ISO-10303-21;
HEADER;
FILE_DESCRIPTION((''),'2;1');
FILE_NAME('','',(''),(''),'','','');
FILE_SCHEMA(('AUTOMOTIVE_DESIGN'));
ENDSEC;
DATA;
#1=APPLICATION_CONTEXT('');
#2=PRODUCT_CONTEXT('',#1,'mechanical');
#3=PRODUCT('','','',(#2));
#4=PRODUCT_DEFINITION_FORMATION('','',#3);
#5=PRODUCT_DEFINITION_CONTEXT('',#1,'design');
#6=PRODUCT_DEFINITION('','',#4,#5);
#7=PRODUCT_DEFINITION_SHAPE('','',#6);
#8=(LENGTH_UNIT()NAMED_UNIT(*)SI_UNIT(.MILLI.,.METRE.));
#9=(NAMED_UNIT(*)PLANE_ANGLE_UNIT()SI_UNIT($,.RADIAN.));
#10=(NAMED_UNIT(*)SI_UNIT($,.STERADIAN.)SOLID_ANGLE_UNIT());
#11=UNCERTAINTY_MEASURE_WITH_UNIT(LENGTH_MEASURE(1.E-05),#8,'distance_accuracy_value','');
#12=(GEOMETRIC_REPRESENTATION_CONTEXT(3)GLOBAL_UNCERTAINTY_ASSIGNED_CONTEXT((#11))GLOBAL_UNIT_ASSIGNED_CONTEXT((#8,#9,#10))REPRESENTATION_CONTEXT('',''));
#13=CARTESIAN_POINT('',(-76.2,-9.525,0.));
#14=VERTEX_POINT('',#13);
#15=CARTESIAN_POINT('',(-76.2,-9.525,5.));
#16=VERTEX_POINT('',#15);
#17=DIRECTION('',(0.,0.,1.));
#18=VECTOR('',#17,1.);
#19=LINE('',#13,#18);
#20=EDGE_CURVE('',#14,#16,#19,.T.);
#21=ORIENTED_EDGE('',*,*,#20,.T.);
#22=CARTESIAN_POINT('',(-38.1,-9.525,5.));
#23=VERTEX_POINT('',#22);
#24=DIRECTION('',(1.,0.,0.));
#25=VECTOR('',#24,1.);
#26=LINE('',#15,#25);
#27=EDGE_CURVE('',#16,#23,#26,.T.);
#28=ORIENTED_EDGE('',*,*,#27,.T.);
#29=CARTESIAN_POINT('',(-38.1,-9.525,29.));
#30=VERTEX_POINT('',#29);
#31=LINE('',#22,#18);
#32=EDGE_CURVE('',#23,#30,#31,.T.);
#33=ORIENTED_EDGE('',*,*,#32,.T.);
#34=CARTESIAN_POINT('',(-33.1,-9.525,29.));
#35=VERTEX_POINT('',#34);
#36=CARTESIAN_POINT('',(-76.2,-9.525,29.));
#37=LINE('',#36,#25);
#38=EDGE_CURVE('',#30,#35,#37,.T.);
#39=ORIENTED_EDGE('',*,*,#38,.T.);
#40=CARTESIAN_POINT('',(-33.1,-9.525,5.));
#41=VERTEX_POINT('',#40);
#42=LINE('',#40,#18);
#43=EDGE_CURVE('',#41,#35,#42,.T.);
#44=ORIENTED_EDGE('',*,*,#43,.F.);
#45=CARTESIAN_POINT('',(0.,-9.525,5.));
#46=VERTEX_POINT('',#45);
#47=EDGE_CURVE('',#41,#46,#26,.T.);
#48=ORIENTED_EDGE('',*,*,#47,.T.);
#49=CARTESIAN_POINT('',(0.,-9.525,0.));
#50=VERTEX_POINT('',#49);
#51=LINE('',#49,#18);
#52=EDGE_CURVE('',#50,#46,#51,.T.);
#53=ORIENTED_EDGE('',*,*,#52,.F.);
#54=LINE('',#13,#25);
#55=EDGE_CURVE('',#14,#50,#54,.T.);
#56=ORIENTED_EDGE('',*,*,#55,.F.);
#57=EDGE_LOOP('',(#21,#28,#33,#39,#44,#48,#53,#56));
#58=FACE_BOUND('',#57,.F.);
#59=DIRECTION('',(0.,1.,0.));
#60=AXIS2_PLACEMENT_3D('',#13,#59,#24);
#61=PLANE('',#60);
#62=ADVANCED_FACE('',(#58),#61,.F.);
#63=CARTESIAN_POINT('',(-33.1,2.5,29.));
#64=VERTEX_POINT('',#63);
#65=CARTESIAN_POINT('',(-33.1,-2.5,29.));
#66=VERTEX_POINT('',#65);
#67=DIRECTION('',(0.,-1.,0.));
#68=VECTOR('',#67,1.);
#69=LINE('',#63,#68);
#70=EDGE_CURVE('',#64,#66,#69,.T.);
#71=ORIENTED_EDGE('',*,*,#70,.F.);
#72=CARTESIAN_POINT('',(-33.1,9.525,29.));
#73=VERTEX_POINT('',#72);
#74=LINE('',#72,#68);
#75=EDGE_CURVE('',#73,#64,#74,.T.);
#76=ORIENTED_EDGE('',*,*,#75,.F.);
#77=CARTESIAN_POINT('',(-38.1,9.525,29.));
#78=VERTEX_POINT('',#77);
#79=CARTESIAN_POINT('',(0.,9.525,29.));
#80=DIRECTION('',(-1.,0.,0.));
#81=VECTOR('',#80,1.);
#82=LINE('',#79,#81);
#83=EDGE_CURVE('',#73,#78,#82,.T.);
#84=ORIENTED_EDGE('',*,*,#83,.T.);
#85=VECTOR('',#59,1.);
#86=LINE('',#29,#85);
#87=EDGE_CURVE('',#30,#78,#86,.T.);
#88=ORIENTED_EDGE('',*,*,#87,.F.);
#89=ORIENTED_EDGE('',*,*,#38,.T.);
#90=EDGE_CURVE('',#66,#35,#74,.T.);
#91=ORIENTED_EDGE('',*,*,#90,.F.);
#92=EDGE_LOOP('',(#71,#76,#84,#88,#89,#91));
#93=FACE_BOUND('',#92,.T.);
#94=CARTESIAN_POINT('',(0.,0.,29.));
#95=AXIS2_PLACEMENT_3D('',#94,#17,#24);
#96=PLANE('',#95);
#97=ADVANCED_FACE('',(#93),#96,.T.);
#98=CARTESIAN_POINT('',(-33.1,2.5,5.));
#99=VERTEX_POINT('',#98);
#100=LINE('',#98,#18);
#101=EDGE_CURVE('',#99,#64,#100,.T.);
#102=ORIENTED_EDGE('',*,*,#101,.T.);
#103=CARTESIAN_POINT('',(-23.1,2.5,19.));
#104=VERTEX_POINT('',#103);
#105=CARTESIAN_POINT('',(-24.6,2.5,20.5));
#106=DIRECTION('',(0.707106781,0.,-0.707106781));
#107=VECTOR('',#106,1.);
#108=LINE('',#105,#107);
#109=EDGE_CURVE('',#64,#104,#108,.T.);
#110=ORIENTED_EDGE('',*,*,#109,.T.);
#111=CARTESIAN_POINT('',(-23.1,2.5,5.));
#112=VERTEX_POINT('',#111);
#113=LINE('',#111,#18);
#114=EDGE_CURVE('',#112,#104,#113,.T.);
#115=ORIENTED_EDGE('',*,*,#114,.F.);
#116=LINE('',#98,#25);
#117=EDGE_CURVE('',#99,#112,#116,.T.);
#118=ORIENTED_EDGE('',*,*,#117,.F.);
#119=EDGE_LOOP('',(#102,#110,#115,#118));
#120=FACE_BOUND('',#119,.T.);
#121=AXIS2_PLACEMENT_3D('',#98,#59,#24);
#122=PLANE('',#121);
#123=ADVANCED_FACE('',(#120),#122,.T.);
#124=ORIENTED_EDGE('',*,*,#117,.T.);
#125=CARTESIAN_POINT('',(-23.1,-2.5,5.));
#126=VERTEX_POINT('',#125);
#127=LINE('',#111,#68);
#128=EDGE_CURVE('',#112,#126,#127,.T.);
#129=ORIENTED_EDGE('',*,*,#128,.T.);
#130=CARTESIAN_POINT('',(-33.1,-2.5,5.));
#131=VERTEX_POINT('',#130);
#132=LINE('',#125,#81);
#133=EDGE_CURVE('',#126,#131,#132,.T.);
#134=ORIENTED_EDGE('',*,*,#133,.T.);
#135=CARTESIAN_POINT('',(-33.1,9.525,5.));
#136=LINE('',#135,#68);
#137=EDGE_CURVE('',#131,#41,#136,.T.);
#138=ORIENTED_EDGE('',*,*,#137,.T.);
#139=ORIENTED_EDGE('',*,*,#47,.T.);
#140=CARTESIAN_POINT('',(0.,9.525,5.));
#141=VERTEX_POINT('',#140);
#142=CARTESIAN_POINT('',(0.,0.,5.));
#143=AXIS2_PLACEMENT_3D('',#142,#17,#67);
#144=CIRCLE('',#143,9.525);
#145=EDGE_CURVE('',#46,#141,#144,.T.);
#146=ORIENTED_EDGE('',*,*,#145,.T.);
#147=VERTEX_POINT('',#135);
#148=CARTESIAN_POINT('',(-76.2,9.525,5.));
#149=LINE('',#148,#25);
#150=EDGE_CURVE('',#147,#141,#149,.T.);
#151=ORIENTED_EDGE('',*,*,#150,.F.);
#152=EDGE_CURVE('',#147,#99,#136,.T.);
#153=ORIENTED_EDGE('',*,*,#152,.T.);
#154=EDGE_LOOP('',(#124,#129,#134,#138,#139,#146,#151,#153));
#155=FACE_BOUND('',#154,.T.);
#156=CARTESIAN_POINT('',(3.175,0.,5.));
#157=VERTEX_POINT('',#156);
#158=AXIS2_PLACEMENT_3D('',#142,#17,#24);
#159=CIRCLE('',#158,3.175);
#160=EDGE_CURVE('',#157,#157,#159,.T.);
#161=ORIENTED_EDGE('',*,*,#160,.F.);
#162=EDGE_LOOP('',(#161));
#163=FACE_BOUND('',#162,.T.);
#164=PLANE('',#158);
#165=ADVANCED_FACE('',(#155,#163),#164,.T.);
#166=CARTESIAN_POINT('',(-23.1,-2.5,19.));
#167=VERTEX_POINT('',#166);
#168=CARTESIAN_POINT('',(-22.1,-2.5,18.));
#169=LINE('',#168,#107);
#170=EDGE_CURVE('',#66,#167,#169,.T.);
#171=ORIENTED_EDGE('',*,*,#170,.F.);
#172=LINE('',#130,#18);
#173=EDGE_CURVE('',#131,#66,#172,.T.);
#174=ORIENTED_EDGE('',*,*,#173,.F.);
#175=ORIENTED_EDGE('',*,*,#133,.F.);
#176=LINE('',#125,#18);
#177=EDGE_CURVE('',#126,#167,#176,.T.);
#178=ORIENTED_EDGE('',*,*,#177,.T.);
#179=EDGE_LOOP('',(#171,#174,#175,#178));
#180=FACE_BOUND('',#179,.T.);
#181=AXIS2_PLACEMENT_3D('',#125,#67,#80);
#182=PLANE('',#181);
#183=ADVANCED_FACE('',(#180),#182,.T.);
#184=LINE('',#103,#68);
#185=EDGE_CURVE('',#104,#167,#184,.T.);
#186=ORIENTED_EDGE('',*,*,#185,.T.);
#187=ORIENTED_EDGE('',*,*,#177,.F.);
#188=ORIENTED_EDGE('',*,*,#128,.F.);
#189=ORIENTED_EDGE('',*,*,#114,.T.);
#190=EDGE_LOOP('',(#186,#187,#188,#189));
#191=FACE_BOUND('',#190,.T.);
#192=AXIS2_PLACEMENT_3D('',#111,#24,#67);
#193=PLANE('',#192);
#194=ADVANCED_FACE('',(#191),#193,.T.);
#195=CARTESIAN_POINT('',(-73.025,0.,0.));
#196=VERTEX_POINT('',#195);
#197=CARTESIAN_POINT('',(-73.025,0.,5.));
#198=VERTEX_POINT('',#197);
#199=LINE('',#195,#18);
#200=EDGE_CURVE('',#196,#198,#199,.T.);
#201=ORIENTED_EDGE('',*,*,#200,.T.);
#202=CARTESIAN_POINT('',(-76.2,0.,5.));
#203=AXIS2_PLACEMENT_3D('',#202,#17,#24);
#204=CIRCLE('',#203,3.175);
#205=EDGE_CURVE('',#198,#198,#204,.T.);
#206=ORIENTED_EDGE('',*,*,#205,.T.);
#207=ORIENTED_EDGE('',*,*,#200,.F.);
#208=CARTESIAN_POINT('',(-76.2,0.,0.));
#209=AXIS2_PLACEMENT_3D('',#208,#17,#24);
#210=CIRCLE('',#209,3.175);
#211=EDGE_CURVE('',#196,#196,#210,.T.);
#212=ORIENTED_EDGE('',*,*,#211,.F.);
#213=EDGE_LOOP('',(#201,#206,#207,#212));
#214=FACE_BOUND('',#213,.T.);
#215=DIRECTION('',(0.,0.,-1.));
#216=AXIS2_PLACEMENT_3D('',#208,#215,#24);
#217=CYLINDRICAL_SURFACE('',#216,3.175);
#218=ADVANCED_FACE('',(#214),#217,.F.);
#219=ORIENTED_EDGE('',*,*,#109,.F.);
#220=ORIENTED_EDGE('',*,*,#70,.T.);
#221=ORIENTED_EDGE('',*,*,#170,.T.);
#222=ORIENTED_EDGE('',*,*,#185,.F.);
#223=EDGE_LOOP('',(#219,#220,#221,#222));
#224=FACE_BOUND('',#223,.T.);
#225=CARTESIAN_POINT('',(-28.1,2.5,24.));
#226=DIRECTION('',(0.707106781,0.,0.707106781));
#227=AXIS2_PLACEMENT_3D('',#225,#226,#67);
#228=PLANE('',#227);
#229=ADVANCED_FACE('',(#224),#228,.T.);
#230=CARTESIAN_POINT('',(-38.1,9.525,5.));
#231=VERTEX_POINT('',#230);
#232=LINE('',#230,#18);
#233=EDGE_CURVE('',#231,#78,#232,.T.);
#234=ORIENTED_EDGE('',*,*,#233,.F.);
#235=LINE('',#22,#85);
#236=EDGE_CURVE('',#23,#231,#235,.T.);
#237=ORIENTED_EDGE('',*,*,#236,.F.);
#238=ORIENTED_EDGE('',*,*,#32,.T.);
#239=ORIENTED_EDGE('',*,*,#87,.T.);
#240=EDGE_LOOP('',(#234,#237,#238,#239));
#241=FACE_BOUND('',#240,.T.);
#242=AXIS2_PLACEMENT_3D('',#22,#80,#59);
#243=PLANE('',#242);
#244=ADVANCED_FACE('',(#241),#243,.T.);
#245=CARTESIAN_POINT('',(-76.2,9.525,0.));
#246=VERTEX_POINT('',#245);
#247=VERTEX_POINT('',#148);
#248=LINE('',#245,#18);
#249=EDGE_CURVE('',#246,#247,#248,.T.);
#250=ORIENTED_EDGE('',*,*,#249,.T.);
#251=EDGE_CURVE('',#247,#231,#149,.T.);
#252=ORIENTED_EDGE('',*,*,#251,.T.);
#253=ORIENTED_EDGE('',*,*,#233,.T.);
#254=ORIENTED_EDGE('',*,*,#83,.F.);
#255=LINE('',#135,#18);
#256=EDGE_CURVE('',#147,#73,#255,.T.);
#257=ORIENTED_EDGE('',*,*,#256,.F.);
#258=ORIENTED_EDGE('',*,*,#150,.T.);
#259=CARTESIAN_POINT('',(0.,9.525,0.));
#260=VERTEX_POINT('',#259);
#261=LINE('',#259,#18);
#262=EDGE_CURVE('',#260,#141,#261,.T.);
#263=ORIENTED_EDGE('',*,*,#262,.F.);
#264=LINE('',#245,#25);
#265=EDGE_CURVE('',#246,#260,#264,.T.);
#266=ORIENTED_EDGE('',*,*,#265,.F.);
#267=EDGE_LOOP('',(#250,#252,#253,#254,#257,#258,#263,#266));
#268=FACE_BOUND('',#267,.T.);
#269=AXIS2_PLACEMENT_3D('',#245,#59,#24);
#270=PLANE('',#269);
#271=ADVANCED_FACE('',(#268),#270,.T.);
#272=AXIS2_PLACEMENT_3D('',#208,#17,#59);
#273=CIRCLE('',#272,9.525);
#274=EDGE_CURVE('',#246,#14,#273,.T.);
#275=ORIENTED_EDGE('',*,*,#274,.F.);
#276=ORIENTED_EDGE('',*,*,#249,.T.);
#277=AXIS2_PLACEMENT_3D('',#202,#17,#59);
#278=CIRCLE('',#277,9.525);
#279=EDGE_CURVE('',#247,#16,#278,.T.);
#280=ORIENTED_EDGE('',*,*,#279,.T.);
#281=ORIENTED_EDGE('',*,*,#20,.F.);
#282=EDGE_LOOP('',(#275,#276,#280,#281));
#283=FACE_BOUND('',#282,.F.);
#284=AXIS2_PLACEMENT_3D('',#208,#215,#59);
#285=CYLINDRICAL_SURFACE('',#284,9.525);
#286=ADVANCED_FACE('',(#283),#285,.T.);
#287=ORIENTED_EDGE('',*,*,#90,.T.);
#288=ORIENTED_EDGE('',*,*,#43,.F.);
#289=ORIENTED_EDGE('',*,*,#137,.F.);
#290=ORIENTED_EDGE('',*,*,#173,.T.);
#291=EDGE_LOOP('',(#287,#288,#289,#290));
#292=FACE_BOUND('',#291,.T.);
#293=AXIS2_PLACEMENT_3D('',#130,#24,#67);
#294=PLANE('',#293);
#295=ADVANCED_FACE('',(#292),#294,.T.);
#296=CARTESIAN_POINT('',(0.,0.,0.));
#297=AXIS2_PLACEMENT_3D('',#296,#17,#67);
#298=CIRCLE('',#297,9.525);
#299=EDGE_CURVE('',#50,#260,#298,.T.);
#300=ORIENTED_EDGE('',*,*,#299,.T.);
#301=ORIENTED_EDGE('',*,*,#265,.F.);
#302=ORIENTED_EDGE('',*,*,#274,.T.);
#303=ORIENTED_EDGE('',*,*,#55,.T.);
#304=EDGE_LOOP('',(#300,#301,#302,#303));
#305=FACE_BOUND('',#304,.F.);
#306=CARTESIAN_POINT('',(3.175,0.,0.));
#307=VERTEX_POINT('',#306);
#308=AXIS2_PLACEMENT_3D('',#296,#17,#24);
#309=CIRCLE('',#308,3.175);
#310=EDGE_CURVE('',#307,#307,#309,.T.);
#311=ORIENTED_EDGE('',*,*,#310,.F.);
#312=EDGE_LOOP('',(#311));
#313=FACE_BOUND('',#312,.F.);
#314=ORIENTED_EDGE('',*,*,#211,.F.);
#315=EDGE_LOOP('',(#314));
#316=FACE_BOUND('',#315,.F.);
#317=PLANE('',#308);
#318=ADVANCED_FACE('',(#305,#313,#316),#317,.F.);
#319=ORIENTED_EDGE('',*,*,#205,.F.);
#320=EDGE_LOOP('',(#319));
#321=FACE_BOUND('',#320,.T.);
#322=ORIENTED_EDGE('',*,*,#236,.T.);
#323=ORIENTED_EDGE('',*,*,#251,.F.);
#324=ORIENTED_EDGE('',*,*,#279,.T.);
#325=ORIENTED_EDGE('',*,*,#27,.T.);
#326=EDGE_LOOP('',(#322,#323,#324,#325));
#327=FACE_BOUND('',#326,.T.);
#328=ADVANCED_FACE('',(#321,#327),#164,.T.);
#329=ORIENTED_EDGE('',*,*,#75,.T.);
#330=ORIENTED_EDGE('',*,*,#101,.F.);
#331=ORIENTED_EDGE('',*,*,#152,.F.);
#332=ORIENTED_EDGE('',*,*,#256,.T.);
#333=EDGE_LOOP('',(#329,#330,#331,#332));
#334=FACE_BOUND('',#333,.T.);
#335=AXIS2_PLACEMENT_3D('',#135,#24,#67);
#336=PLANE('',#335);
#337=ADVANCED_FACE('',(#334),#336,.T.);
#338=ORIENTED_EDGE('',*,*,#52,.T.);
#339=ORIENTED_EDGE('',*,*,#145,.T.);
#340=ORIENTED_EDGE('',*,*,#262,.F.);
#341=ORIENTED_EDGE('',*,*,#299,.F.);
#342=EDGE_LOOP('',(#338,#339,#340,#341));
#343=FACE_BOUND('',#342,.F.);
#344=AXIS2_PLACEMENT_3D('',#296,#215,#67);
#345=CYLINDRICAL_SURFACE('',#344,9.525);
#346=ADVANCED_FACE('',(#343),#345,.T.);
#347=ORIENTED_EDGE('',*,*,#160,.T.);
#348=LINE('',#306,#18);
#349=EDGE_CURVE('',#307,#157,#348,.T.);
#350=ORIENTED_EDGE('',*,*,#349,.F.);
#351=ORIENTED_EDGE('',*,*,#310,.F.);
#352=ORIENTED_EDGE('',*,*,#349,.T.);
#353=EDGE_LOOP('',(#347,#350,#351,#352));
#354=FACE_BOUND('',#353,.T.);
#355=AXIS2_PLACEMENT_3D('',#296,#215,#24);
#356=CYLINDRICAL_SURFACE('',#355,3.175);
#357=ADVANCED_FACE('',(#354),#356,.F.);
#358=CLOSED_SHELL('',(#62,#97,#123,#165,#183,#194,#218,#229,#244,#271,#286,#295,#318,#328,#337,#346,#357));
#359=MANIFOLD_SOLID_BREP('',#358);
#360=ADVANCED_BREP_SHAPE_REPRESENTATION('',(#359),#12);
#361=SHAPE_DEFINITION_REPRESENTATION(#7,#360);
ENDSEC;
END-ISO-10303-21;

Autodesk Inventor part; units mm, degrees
ref_plane "YZ Plane" through (0, 0, 0) normal (1, 0, 0) x (0, 1, 0)
ref_plane "XZ Plane" through (0, 0, 0) normal (0, 1, 0) x (-1, 0, 0)
ref_plane "XY Plane" through (0, 0, 0) normal (0, 0, 1) x (1, 0, 0)
sketch "Sketch1" plane through (0, 0, 0) normal (0, 0, 1) x (1, 0, 0)
  circle A0 centre (0, 0) radius 3.175
  circle A1 centre (-76.2, 0) radius 3.175
  arc A2 (-76.2, 9.525) -> (-76.2, -9.525) centre (-76.2, 0) ccw
  arc A3 (0, -9.525) -> (0, 9.525) centre (0, 0) ccw
  line L0 (-76.2, 9.525) -> (0, 9.525)
  line L1 (-76.2, -9.525) -> (0, -9.525)
  dimension "d0" = 6.35
  dimension "d1" = 6.35
  dimension "d2" = 76.2
  dimension "d3" = 6.35
  dimension "d4" = 6.35
extrude "Extrusion1" add sketch "Sketch1" along normal blind 5
sketch "Sketch2" plane through (0, 0, 5) normal (0, 0, 1) x (1, 0, 0)
  line L0 (0, 9.525) -> (-76.2, 9.525) projected
  line L1 (-76.2, -9.525) -> (0, -9.525) projected
  line L2 (-38.1, 9.525) -> (-33.1, 9.525)
  line L3 (-33.1, 9.525) -> (-33.1, -9.525)
  line L4 (-33.1, -9.525) -> (-38.1, -9.525)
  line L5 (-38.1, -9.525) -> (-38.1, 9.525)
  line L6 (-33.1, 2.5) -> (-23.1, 2.5)
  line L7 (-23.1, 2.5) -> (-23.1, -2.5)
  line L8 (-23.1, -2.5) -> (-33.1, -2.5)
  line L9 (-33.1, -2.5) -> (-33.1, 2.5)
  line L10 (-23.1, 0) -> (-38.1, 0) construction
  point P0 (0, 0)
  dimension "d7" = 5
  dimension "d8" = 10
  dimension "d9" = 5
extrude "Extrusion2" add sketch "Sketch2" along normal blind 24
chamfer "Chamfer1" distance 10 angle 45 1 edges at (-23.1, 0, 29)
properties part number "Y Axis Limit Switch Trigger"
